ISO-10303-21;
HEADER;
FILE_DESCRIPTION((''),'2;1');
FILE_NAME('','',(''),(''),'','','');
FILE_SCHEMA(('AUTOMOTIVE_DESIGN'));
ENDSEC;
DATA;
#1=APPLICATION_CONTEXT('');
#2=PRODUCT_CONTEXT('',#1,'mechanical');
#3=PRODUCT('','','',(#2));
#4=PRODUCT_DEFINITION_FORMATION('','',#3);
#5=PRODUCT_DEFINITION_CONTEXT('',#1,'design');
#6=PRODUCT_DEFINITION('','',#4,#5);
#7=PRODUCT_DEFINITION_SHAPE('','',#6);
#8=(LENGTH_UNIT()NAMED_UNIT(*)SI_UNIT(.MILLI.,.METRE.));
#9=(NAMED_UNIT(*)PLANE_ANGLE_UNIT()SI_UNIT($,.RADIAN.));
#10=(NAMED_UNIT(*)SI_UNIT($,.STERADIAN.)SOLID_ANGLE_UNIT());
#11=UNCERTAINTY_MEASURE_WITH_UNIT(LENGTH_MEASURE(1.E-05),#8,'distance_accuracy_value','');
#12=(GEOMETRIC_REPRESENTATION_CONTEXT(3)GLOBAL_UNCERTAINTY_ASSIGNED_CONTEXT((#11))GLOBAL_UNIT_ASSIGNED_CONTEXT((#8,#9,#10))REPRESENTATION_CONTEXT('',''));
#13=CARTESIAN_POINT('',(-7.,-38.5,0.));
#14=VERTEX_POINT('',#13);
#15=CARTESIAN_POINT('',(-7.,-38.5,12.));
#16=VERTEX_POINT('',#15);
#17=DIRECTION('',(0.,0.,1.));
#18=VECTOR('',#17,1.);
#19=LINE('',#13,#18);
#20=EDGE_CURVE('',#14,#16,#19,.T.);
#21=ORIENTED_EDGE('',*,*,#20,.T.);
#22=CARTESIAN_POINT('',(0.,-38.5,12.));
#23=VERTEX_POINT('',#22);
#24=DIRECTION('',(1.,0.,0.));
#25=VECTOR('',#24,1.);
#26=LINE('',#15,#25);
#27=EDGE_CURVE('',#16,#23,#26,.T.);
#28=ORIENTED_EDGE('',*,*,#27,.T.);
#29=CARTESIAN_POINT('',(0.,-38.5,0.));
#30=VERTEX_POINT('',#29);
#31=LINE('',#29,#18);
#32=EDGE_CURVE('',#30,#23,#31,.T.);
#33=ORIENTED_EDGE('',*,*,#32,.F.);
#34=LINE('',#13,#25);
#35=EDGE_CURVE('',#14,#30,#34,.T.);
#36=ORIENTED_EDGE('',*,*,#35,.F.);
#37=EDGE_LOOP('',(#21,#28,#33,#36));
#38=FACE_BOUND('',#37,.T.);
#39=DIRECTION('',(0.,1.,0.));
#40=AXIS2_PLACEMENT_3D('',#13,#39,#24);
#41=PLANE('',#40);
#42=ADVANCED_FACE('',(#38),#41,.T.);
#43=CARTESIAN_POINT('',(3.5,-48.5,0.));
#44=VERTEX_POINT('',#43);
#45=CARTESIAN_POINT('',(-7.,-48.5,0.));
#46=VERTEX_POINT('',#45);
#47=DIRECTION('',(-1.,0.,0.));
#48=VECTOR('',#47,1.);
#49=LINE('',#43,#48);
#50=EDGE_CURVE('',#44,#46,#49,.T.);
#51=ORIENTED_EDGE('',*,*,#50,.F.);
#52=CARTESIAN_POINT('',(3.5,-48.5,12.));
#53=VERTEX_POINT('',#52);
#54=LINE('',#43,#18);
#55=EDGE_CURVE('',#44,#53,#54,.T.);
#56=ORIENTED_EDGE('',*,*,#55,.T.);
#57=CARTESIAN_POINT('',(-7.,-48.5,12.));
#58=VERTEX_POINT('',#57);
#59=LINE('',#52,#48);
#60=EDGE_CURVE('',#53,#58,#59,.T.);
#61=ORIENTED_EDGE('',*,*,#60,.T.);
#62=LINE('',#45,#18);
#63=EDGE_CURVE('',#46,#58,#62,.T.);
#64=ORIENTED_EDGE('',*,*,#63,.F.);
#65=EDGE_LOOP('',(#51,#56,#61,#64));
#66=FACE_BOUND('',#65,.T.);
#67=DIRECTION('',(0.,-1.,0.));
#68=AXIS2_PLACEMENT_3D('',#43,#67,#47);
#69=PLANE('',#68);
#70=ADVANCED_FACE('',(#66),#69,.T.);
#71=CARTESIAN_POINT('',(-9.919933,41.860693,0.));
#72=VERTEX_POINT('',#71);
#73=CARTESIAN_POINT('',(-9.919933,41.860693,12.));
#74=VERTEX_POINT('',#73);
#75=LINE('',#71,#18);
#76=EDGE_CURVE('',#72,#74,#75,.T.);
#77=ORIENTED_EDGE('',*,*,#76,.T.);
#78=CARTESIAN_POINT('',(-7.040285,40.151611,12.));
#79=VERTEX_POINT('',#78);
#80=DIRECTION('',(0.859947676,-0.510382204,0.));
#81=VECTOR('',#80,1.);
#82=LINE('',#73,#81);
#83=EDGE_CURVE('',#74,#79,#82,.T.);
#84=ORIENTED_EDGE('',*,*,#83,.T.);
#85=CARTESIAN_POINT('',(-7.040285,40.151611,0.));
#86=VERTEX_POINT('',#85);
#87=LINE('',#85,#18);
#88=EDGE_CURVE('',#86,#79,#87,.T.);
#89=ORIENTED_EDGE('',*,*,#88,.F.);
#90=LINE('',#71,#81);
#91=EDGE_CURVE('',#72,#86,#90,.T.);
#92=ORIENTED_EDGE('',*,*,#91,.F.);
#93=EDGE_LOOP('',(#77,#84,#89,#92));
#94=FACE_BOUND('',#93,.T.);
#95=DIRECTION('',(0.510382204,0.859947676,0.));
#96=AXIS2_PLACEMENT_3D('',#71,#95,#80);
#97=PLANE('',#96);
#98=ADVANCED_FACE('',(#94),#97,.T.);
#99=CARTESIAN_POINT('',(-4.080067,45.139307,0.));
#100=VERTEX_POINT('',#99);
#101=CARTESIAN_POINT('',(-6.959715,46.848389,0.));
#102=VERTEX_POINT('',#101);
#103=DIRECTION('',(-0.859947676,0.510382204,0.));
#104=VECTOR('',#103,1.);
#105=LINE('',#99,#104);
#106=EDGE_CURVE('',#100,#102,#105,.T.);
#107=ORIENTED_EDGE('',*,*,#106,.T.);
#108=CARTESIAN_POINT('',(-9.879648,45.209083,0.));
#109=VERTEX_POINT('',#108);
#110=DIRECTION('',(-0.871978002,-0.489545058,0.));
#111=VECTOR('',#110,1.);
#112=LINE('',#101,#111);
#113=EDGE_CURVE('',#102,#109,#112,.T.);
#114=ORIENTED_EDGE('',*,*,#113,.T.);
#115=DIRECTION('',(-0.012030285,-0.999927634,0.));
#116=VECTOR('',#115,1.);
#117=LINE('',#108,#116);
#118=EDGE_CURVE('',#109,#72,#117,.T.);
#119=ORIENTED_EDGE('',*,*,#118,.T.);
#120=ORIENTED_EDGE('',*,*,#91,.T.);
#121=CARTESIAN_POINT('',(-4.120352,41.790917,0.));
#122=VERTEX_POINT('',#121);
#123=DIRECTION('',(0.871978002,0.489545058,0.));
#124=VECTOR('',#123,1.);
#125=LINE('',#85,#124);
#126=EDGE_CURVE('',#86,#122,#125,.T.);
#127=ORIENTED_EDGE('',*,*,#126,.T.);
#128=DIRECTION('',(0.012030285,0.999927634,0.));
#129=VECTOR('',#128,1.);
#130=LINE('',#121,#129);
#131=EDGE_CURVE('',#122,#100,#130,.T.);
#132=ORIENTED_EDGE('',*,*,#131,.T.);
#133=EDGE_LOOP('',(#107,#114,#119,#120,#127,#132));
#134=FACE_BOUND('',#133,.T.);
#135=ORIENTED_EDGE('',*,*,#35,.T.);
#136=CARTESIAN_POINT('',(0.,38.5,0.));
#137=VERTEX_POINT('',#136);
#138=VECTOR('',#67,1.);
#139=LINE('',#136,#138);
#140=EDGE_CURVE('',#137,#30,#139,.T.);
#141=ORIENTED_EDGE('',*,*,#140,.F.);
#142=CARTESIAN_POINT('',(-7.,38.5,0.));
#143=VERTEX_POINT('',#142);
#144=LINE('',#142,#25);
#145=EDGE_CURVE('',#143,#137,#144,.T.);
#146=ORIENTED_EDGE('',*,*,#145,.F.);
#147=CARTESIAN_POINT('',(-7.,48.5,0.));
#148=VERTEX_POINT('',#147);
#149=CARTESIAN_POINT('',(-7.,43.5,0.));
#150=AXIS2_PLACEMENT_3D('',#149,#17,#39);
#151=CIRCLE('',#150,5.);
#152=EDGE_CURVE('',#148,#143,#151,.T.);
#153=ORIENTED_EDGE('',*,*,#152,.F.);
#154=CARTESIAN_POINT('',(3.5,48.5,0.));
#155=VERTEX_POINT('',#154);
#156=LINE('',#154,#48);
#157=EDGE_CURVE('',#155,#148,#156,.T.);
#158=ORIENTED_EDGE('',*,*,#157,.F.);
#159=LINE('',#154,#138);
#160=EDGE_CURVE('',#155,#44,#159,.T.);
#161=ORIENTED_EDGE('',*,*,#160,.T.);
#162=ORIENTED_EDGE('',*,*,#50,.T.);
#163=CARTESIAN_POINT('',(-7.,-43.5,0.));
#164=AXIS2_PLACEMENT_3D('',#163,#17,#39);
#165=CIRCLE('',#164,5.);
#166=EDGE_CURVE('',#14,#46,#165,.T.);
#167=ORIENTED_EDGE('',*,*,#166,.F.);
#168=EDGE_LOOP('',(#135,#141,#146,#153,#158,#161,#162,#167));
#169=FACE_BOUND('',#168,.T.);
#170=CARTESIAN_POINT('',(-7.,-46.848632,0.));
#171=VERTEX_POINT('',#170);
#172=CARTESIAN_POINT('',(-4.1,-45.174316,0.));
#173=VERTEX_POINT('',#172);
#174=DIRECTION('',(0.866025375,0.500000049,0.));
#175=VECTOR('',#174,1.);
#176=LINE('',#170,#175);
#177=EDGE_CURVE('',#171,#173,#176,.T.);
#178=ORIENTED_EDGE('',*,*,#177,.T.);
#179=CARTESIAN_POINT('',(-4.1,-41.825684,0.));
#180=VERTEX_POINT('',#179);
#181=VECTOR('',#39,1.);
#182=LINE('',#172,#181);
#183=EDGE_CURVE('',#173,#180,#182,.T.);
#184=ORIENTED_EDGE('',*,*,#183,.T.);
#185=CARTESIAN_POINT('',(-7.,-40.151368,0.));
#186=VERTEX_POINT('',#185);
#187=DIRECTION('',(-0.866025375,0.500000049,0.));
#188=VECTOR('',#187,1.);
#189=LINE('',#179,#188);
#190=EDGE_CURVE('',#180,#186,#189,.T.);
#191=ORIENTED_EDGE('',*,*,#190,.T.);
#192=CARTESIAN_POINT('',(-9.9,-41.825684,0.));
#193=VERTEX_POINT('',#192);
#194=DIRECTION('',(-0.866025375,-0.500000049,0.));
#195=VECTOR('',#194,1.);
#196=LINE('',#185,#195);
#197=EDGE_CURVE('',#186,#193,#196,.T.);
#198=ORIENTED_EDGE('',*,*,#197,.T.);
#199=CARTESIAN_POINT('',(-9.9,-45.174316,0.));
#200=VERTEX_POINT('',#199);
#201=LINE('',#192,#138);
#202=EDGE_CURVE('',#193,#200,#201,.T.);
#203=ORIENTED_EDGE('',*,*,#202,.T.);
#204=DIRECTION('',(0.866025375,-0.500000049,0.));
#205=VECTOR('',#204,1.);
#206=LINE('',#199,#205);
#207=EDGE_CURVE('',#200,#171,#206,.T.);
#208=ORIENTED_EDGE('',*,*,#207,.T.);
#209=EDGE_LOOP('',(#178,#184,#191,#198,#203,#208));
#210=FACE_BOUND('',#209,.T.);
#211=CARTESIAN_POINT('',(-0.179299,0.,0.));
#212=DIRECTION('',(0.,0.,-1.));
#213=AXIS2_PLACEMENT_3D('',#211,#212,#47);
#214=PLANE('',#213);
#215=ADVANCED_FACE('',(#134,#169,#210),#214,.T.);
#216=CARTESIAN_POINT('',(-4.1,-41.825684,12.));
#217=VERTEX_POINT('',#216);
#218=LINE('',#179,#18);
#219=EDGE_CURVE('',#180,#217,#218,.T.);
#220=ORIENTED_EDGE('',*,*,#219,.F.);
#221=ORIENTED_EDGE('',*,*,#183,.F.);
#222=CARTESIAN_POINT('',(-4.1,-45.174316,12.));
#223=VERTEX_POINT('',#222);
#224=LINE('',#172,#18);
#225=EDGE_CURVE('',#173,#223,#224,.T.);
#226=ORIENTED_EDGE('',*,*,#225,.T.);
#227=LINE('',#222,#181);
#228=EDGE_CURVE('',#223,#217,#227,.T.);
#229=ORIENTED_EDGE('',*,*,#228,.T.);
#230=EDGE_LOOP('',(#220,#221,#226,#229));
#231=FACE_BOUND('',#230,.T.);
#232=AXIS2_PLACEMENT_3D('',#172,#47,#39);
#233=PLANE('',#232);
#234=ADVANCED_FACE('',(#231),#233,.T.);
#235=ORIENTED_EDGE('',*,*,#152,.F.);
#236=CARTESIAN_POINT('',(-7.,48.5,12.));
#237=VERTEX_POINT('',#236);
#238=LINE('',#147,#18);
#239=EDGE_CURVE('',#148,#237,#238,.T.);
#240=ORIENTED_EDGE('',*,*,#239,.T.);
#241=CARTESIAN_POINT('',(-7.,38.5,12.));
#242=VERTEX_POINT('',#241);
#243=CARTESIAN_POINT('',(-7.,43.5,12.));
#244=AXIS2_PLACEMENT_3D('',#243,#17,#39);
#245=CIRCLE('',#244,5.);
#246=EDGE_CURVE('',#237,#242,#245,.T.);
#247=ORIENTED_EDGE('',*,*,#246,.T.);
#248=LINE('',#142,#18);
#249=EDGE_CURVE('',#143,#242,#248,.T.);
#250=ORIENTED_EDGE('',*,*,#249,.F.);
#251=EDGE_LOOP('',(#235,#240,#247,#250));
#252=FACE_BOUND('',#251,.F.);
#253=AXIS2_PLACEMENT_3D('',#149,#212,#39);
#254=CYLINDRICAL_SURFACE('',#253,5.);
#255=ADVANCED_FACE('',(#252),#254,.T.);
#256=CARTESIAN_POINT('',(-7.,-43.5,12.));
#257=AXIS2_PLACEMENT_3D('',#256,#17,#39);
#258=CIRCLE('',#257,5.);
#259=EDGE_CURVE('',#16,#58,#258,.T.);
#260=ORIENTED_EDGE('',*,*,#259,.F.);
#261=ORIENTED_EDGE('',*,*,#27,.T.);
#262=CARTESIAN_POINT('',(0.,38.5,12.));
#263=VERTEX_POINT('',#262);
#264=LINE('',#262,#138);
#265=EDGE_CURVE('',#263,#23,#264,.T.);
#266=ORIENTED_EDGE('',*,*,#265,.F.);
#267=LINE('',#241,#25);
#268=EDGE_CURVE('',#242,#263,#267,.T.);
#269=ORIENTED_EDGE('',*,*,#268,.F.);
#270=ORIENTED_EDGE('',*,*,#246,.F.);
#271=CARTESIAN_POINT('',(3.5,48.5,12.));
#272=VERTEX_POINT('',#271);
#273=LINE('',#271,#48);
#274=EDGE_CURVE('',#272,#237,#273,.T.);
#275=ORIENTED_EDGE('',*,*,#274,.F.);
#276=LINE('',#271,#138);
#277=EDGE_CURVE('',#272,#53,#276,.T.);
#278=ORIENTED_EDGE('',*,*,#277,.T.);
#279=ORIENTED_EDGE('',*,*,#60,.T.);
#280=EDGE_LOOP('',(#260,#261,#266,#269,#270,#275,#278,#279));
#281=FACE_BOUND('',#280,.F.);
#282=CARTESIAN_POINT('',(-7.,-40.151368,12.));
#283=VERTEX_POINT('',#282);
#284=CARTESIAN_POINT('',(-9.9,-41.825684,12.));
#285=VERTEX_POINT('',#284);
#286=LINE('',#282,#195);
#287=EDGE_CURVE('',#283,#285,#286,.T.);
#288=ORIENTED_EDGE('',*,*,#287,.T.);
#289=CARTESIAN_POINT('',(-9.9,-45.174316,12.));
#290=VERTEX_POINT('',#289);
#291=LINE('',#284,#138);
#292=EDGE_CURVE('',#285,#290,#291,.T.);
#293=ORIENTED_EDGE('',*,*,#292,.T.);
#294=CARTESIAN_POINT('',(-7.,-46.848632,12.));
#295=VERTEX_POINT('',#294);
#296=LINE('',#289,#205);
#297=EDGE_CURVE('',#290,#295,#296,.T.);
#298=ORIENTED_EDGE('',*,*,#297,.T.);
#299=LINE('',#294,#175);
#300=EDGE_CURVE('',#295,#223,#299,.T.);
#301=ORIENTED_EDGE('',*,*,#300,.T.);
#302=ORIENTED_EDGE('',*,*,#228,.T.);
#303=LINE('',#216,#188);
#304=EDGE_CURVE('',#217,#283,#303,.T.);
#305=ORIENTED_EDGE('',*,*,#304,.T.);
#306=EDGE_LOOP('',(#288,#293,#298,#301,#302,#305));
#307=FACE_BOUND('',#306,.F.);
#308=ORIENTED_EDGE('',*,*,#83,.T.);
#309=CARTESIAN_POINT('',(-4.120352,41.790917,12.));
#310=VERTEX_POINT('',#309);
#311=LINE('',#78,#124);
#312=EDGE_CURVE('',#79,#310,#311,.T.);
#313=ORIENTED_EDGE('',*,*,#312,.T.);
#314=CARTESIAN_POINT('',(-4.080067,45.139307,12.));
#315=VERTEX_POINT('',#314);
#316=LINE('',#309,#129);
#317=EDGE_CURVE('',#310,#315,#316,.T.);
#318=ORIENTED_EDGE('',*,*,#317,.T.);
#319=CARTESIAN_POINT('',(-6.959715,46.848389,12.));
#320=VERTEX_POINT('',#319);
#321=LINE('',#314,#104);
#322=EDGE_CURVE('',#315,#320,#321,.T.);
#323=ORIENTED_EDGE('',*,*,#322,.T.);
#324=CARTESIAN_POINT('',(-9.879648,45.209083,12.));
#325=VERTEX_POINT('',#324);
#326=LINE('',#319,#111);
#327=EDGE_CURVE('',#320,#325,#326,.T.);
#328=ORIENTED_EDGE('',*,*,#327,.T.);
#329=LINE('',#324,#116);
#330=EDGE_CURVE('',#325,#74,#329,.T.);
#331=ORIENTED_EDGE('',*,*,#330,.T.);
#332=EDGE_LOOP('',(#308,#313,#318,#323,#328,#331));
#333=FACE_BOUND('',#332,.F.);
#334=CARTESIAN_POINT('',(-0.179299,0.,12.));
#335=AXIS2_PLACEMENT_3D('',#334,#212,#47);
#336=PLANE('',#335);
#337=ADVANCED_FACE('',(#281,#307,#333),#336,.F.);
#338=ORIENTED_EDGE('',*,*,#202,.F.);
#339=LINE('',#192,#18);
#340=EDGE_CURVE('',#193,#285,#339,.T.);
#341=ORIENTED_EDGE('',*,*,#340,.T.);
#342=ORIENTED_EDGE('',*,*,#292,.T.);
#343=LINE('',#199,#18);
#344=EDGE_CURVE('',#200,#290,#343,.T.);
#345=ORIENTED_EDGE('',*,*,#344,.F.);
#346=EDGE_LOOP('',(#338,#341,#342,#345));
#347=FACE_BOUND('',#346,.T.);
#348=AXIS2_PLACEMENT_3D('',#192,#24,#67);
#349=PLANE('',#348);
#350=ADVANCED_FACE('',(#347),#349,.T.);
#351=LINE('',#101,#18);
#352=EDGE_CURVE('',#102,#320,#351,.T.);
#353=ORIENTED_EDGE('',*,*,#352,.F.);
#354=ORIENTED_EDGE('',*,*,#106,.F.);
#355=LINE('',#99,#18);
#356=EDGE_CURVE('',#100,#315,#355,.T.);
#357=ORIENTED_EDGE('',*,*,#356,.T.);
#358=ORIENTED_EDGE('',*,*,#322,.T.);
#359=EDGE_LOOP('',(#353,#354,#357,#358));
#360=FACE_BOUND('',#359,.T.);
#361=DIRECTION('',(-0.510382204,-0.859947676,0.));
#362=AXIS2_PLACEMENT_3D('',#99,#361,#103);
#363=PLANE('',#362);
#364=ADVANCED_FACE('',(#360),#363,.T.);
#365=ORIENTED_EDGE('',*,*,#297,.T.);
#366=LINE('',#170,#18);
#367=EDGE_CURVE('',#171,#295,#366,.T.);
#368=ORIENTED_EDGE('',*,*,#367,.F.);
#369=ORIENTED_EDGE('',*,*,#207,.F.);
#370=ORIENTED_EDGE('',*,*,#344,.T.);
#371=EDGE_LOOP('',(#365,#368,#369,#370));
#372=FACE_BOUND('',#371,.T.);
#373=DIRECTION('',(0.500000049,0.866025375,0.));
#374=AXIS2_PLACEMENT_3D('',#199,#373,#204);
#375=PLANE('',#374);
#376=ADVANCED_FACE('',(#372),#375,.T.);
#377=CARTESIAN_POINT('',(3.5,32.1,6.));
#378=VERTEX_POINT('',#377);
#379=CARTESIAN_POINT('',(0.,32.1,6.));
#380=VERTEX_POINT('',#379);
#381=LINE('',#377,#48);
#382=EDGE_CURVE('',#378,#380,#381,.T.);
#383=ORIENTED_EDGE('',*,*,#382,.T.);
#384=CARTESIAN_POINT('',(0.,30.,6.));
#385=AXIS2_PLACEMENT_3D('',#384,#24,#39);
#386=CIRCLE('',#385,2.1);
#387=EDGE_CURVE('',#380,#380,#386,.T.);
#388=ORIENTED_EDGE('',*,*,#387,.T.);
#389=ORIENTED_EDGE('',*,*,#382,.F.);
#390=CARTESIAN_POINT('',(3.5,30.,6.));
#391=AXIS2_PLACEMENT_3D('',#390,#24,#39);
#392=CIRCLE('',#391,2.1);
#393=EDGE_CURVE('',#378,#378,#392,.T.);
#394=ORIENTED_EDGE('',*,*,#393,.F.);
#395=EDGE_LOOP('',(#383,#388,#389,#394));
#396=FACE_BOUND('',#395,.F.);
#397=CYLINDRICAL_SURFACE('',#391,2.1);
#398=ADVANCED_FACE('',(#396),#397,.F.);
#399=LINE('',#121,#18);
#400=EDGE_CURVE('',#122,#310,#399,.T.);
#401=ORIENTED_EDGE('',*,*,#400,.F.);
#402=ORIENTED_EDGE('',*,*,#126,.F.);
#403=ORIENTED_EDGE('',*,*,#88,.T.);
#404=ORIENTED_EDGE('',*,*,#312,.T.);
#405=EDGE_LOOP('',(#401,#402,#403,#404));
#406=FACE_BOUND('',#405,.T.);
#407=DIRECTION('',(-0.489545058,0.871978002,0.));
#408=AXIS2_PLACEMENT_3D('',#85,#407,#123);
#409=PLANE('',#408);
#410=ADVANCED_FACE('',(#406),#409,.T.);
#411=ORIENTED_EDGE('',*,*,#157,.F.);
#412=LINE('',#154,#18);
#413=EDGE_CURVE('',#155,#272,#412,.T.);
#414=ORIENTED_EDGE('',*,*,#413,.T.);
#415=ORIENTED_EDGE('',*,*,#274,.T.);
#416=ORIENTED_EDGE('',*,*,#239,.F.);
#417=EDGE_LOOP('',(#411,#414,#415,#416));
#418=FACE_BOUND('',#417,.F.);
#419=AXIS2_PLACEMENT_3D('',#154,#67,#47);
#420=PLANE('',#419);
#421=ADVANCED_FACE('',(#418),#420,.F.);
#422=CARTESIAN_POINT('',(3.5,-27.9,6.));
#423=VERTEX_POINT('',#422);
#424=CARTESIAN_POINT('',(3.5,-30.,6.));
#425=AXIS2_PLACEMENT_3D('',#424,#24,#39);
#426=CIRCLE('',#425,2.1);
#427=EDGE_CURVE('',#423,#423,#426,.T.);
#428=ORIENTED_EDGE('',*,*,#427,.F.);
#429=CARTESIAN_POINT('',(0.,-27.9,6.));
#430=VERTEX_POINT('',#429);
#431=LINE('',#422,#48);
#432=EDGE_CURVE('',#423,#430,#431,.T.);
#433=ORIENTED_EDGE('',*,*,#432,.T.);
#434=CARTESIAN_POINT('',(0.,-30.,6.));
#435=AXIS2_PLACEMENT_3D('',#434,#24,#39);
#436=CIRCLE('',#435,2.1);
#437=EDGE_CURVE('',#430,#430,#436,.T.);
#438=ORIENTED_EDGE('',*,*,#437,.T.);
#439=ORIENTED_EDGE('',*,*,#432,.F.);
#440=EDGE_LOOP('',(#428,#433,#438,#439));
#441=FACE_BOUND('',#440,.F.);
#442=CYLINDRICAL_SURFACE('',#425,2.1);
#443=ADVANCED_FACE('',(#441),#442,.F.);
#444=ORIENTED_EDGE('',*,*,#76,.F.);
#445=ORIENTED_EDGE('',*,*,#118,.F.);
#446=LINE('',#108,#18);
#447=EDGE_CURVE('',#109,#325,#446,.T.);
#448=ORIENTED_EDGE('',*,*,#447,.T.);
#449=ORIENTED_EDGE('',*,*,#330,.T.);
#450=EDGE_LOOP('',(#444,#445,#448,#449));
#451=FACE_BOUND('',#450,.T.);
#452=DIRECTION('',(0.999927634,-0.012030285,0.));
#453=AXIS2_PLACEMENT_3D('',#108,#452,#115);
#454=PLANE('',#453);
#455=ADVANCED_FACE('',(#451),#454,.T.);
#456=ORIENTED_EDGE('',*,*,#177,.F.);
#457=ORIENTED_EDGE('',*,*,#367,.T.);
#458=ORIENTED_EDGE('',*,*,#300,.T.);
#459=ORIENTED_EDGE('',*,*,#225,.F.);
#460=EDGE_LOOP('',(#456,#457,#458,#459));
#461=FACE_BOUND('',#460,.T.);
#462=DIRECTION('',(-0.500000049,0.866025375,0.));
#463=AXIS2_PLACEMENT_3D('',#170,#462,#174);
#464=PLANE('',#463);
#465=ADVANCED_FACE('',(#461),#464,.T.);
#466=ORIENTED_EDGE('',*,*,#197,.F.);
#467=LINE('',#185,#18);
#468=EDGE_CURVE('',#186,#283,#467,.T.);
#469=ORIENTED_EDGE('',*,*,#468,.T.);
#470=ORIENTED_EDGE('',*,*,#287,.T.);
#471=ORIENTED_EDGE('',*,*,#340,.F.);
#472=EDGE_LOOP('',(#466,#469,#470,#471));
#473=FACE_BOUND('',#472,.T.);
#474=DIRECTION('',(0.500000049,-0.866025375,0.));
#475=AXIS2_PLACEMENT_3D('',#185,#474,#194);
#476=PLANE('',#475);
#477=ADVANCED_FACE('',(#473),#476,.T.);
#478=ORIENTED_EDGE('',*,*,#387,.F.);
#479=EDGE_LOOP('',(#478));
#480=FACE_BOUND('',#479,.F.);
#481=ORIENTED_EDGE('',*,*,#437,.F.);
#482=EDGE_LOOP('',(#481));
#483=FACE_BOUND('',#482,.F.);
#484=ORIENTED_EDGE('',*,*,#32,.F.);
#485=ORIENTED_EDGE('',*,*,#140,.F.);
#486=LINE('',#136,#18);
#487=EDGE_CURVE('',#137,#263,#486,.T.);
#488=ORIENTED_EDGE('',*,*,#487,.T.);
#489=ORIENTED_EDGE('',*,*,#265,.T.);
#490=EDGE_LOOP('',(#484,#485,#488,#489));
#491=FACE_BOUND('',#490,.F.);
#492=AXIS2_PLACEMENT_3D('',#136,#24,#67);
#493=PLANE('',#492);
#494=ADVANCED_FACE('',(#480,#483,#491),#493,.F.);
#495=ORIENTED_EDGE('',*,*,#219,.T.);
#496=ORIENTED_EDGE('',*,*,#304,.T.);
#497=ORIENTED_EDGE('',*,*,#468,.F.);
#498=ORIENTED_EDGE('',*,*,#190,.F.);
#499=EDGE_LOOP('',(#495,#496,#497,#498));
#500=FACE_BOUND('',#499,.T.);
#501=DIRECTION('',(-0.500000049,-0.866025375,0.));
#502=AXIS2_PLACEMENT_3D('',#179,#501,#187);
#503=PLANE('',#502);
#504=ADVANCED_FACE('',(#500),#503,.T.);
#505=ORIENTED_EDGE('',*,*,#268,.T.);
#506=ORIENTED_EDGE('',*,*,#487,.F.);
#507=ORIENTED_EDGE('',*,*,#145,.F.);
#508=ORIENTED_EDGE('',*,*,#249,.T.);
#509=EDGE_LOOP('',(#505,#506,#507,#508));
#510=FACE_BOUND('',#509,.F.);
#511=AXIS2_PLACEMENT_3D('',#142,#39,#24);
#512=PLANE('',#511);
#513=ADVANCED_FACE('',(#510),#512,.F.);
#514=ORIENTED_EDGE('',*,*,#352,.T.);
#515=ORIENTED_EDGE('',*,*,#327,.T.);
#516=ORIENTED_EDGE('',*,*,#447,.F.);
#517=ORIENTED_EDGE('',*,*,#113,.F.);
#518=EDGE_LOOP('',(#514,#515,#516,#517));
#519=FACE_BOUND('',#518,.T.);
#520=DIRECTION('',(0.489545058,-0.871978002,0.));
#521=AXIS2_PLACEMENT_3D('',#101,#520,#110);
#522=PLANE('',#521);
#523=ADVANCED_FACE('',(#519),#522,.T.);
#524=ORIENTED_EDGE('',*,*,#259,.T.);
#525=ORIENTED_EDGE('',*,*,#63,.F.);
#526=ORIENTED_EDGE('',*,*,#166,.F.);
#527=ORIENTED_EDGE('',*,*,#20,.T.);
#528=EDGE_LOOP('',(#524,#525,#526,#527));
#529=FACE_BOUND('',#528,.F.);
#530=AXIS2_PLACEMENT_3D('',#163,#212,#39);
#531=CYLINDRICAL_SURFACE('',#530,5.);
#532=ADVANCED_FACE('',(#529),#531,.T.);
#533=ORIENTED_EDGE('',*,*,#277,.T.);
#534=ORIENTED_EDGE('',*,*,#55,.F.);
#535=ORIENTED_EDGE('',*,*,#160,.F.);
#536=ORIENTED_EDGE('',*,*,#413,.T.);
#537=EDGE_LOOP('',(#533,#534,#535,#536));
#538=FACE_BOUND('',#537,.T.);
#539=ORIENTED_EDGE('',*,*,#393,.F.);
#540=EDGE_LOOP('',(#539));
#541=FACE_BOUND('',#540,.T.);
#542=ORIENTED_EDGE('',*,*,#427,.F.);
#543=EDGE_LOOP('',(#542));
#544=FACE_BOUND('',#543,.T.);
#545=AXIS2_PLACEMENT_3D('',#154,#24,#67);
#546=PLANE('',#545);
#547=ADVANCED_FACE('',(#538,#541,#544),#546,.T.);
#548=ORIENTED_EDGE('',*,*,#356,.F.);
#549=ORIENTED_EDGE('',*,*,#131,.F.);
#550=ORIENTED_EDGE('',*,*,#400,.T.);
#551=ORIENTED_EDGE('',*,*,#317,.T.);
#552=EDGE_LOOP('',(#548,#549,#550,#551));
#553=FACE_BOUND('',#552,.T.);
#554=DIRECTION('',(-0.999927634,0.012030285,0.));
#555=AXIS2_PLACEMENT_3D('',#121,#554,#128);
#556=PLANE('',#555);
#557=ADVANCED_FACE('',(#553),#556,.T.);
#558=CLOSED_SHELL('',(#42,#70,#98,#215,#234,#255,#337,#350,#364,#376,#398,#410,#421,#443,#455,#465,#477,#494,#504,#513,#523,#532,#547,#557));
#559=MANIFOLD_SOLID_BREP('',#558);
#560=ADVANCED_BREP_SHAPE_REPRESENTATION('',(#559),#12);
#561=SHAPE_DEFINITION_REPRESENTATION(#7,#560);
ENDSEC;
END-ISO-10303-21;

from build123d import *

# Parameters (mm, degrees)
PAD_DEPTH    = 12
SKETCH001_R  = 2.1
POCKET_DEPTH = 5


with BuildPart() as part:
    # Sketch → Pad (new body)
    with BuildSketch(Plane.XY):
        with BuildLine():
            Line((0, 48.5), (3.5, 48.5))
            Line((3.5, 48.5), (3.5, -48.5))
            Line((3.5, -48.5), (0, -48.5))
            Line((0, -48.5), (-7, -48.5))
            ThreePointArc((-7, -38.5), (-12, -43.5), (-7, -48.5))
            Line((-7, -38.5), (0, -38.5))
            Line((0, 38.5), (0, -38.5))
            Line((-7, 38.5), (0, 38.5))
            ThreePointArc((-7, 48.5), (-12, 43.5), (-7, 38.5))
            Line((0, 48.5), (-7, 48.5))
        make_face()
        Polygon((-4.120352, 41.790917), (-4.080067, 45.139307), (-6.959715, 46.848389), (-9.879648, 45.209083), (-9.919933, 41.860693), (-7.040285, 40.151611), align=None, mode=Mode.SUBTRACT)
        Polygon((-4.1, -45.174316), (-4.1, -41.825684), (-7, -40.151368), (-9.9, -41.825684), (-9.9, -45.174316), (-7, -46.848632), align=None, mode=Mode.SUBTRACT)
    extrude(amount=PAD_DEPTH)

    # Sketch001 (on Face3 of Pad) → Pocket (cut)
    with BuildSketch(Plane.YZ.offset(3.5)):
        with Locations((-30, 6)):
            Circle(SKETCH001_R)
        with Locations((30, 6)):
            Circle(SKETCH001_R)
    extrude(amount=-POCKET_DEPTH, mode=Mode.SUBTRACT)


solid = part.part
